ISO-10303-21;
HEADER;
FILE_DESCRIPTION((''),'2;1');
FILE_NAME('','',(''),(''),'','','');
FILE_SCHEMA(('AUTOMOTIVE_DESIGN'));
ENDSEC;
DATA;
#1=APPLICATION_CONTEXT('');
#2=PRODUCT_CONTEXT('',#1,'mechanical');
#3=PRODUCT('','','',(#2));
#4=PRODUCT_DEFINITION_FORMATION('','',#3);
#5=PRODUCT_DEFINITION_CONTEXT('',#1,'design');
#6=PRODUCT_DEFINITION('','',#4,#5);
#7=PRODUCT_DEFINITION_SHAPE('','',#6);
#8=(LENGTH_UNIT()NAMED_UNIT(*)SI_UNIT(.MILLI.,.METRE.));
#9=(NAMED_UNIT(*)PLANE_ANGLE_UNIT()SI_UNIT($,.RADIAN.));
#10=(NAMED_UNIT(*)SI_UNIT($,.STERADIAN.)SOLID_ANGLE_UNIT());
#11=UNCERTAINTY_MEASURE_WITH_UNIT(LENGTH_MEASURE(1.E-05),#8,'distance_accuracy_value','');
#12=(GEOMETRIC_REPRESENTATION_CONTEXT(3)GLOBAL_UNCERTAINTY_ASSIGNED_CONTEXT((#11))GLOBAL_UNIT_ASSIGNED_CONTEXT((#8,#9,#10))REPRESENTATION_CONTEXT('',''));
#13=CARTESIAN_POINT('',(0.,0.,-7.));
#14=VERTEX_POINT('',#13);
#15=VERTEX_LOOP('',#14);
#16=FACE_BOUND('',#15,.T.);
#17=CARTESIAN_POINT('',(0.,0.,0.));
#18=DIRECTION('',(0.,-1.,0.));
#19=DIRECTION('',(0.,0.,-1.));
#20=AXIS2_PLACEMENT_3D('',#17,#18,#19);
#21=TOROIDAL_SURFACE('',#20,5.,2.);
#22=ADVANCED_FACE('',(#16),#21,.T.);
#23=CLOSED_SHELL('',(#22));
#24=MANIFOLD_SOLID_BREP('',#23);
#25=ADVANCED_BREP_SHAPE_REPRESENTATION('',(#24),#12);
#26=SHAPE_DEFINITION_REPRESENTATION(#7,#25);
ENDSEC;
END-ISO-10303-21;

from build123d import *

# Parameters (mm, degrees)
SKETCH1_R = 2


with BuildPart() as part:
    # Sketch1 → Revolve1 (revolve)
    with BuildSketch(Plane.XY, mode=Mode.PRIVATE) as revolve1_sk:
        with Locations((5, 0)):
            Circle(SKETCH1_R)
    revolve(revolve1_sk.sketch.rotate(Axis((0, -3, 0), (0, 1, 0)), 90), axis=Axis((0, -3, 0), (0, 1, 0)))


solid = part.part
